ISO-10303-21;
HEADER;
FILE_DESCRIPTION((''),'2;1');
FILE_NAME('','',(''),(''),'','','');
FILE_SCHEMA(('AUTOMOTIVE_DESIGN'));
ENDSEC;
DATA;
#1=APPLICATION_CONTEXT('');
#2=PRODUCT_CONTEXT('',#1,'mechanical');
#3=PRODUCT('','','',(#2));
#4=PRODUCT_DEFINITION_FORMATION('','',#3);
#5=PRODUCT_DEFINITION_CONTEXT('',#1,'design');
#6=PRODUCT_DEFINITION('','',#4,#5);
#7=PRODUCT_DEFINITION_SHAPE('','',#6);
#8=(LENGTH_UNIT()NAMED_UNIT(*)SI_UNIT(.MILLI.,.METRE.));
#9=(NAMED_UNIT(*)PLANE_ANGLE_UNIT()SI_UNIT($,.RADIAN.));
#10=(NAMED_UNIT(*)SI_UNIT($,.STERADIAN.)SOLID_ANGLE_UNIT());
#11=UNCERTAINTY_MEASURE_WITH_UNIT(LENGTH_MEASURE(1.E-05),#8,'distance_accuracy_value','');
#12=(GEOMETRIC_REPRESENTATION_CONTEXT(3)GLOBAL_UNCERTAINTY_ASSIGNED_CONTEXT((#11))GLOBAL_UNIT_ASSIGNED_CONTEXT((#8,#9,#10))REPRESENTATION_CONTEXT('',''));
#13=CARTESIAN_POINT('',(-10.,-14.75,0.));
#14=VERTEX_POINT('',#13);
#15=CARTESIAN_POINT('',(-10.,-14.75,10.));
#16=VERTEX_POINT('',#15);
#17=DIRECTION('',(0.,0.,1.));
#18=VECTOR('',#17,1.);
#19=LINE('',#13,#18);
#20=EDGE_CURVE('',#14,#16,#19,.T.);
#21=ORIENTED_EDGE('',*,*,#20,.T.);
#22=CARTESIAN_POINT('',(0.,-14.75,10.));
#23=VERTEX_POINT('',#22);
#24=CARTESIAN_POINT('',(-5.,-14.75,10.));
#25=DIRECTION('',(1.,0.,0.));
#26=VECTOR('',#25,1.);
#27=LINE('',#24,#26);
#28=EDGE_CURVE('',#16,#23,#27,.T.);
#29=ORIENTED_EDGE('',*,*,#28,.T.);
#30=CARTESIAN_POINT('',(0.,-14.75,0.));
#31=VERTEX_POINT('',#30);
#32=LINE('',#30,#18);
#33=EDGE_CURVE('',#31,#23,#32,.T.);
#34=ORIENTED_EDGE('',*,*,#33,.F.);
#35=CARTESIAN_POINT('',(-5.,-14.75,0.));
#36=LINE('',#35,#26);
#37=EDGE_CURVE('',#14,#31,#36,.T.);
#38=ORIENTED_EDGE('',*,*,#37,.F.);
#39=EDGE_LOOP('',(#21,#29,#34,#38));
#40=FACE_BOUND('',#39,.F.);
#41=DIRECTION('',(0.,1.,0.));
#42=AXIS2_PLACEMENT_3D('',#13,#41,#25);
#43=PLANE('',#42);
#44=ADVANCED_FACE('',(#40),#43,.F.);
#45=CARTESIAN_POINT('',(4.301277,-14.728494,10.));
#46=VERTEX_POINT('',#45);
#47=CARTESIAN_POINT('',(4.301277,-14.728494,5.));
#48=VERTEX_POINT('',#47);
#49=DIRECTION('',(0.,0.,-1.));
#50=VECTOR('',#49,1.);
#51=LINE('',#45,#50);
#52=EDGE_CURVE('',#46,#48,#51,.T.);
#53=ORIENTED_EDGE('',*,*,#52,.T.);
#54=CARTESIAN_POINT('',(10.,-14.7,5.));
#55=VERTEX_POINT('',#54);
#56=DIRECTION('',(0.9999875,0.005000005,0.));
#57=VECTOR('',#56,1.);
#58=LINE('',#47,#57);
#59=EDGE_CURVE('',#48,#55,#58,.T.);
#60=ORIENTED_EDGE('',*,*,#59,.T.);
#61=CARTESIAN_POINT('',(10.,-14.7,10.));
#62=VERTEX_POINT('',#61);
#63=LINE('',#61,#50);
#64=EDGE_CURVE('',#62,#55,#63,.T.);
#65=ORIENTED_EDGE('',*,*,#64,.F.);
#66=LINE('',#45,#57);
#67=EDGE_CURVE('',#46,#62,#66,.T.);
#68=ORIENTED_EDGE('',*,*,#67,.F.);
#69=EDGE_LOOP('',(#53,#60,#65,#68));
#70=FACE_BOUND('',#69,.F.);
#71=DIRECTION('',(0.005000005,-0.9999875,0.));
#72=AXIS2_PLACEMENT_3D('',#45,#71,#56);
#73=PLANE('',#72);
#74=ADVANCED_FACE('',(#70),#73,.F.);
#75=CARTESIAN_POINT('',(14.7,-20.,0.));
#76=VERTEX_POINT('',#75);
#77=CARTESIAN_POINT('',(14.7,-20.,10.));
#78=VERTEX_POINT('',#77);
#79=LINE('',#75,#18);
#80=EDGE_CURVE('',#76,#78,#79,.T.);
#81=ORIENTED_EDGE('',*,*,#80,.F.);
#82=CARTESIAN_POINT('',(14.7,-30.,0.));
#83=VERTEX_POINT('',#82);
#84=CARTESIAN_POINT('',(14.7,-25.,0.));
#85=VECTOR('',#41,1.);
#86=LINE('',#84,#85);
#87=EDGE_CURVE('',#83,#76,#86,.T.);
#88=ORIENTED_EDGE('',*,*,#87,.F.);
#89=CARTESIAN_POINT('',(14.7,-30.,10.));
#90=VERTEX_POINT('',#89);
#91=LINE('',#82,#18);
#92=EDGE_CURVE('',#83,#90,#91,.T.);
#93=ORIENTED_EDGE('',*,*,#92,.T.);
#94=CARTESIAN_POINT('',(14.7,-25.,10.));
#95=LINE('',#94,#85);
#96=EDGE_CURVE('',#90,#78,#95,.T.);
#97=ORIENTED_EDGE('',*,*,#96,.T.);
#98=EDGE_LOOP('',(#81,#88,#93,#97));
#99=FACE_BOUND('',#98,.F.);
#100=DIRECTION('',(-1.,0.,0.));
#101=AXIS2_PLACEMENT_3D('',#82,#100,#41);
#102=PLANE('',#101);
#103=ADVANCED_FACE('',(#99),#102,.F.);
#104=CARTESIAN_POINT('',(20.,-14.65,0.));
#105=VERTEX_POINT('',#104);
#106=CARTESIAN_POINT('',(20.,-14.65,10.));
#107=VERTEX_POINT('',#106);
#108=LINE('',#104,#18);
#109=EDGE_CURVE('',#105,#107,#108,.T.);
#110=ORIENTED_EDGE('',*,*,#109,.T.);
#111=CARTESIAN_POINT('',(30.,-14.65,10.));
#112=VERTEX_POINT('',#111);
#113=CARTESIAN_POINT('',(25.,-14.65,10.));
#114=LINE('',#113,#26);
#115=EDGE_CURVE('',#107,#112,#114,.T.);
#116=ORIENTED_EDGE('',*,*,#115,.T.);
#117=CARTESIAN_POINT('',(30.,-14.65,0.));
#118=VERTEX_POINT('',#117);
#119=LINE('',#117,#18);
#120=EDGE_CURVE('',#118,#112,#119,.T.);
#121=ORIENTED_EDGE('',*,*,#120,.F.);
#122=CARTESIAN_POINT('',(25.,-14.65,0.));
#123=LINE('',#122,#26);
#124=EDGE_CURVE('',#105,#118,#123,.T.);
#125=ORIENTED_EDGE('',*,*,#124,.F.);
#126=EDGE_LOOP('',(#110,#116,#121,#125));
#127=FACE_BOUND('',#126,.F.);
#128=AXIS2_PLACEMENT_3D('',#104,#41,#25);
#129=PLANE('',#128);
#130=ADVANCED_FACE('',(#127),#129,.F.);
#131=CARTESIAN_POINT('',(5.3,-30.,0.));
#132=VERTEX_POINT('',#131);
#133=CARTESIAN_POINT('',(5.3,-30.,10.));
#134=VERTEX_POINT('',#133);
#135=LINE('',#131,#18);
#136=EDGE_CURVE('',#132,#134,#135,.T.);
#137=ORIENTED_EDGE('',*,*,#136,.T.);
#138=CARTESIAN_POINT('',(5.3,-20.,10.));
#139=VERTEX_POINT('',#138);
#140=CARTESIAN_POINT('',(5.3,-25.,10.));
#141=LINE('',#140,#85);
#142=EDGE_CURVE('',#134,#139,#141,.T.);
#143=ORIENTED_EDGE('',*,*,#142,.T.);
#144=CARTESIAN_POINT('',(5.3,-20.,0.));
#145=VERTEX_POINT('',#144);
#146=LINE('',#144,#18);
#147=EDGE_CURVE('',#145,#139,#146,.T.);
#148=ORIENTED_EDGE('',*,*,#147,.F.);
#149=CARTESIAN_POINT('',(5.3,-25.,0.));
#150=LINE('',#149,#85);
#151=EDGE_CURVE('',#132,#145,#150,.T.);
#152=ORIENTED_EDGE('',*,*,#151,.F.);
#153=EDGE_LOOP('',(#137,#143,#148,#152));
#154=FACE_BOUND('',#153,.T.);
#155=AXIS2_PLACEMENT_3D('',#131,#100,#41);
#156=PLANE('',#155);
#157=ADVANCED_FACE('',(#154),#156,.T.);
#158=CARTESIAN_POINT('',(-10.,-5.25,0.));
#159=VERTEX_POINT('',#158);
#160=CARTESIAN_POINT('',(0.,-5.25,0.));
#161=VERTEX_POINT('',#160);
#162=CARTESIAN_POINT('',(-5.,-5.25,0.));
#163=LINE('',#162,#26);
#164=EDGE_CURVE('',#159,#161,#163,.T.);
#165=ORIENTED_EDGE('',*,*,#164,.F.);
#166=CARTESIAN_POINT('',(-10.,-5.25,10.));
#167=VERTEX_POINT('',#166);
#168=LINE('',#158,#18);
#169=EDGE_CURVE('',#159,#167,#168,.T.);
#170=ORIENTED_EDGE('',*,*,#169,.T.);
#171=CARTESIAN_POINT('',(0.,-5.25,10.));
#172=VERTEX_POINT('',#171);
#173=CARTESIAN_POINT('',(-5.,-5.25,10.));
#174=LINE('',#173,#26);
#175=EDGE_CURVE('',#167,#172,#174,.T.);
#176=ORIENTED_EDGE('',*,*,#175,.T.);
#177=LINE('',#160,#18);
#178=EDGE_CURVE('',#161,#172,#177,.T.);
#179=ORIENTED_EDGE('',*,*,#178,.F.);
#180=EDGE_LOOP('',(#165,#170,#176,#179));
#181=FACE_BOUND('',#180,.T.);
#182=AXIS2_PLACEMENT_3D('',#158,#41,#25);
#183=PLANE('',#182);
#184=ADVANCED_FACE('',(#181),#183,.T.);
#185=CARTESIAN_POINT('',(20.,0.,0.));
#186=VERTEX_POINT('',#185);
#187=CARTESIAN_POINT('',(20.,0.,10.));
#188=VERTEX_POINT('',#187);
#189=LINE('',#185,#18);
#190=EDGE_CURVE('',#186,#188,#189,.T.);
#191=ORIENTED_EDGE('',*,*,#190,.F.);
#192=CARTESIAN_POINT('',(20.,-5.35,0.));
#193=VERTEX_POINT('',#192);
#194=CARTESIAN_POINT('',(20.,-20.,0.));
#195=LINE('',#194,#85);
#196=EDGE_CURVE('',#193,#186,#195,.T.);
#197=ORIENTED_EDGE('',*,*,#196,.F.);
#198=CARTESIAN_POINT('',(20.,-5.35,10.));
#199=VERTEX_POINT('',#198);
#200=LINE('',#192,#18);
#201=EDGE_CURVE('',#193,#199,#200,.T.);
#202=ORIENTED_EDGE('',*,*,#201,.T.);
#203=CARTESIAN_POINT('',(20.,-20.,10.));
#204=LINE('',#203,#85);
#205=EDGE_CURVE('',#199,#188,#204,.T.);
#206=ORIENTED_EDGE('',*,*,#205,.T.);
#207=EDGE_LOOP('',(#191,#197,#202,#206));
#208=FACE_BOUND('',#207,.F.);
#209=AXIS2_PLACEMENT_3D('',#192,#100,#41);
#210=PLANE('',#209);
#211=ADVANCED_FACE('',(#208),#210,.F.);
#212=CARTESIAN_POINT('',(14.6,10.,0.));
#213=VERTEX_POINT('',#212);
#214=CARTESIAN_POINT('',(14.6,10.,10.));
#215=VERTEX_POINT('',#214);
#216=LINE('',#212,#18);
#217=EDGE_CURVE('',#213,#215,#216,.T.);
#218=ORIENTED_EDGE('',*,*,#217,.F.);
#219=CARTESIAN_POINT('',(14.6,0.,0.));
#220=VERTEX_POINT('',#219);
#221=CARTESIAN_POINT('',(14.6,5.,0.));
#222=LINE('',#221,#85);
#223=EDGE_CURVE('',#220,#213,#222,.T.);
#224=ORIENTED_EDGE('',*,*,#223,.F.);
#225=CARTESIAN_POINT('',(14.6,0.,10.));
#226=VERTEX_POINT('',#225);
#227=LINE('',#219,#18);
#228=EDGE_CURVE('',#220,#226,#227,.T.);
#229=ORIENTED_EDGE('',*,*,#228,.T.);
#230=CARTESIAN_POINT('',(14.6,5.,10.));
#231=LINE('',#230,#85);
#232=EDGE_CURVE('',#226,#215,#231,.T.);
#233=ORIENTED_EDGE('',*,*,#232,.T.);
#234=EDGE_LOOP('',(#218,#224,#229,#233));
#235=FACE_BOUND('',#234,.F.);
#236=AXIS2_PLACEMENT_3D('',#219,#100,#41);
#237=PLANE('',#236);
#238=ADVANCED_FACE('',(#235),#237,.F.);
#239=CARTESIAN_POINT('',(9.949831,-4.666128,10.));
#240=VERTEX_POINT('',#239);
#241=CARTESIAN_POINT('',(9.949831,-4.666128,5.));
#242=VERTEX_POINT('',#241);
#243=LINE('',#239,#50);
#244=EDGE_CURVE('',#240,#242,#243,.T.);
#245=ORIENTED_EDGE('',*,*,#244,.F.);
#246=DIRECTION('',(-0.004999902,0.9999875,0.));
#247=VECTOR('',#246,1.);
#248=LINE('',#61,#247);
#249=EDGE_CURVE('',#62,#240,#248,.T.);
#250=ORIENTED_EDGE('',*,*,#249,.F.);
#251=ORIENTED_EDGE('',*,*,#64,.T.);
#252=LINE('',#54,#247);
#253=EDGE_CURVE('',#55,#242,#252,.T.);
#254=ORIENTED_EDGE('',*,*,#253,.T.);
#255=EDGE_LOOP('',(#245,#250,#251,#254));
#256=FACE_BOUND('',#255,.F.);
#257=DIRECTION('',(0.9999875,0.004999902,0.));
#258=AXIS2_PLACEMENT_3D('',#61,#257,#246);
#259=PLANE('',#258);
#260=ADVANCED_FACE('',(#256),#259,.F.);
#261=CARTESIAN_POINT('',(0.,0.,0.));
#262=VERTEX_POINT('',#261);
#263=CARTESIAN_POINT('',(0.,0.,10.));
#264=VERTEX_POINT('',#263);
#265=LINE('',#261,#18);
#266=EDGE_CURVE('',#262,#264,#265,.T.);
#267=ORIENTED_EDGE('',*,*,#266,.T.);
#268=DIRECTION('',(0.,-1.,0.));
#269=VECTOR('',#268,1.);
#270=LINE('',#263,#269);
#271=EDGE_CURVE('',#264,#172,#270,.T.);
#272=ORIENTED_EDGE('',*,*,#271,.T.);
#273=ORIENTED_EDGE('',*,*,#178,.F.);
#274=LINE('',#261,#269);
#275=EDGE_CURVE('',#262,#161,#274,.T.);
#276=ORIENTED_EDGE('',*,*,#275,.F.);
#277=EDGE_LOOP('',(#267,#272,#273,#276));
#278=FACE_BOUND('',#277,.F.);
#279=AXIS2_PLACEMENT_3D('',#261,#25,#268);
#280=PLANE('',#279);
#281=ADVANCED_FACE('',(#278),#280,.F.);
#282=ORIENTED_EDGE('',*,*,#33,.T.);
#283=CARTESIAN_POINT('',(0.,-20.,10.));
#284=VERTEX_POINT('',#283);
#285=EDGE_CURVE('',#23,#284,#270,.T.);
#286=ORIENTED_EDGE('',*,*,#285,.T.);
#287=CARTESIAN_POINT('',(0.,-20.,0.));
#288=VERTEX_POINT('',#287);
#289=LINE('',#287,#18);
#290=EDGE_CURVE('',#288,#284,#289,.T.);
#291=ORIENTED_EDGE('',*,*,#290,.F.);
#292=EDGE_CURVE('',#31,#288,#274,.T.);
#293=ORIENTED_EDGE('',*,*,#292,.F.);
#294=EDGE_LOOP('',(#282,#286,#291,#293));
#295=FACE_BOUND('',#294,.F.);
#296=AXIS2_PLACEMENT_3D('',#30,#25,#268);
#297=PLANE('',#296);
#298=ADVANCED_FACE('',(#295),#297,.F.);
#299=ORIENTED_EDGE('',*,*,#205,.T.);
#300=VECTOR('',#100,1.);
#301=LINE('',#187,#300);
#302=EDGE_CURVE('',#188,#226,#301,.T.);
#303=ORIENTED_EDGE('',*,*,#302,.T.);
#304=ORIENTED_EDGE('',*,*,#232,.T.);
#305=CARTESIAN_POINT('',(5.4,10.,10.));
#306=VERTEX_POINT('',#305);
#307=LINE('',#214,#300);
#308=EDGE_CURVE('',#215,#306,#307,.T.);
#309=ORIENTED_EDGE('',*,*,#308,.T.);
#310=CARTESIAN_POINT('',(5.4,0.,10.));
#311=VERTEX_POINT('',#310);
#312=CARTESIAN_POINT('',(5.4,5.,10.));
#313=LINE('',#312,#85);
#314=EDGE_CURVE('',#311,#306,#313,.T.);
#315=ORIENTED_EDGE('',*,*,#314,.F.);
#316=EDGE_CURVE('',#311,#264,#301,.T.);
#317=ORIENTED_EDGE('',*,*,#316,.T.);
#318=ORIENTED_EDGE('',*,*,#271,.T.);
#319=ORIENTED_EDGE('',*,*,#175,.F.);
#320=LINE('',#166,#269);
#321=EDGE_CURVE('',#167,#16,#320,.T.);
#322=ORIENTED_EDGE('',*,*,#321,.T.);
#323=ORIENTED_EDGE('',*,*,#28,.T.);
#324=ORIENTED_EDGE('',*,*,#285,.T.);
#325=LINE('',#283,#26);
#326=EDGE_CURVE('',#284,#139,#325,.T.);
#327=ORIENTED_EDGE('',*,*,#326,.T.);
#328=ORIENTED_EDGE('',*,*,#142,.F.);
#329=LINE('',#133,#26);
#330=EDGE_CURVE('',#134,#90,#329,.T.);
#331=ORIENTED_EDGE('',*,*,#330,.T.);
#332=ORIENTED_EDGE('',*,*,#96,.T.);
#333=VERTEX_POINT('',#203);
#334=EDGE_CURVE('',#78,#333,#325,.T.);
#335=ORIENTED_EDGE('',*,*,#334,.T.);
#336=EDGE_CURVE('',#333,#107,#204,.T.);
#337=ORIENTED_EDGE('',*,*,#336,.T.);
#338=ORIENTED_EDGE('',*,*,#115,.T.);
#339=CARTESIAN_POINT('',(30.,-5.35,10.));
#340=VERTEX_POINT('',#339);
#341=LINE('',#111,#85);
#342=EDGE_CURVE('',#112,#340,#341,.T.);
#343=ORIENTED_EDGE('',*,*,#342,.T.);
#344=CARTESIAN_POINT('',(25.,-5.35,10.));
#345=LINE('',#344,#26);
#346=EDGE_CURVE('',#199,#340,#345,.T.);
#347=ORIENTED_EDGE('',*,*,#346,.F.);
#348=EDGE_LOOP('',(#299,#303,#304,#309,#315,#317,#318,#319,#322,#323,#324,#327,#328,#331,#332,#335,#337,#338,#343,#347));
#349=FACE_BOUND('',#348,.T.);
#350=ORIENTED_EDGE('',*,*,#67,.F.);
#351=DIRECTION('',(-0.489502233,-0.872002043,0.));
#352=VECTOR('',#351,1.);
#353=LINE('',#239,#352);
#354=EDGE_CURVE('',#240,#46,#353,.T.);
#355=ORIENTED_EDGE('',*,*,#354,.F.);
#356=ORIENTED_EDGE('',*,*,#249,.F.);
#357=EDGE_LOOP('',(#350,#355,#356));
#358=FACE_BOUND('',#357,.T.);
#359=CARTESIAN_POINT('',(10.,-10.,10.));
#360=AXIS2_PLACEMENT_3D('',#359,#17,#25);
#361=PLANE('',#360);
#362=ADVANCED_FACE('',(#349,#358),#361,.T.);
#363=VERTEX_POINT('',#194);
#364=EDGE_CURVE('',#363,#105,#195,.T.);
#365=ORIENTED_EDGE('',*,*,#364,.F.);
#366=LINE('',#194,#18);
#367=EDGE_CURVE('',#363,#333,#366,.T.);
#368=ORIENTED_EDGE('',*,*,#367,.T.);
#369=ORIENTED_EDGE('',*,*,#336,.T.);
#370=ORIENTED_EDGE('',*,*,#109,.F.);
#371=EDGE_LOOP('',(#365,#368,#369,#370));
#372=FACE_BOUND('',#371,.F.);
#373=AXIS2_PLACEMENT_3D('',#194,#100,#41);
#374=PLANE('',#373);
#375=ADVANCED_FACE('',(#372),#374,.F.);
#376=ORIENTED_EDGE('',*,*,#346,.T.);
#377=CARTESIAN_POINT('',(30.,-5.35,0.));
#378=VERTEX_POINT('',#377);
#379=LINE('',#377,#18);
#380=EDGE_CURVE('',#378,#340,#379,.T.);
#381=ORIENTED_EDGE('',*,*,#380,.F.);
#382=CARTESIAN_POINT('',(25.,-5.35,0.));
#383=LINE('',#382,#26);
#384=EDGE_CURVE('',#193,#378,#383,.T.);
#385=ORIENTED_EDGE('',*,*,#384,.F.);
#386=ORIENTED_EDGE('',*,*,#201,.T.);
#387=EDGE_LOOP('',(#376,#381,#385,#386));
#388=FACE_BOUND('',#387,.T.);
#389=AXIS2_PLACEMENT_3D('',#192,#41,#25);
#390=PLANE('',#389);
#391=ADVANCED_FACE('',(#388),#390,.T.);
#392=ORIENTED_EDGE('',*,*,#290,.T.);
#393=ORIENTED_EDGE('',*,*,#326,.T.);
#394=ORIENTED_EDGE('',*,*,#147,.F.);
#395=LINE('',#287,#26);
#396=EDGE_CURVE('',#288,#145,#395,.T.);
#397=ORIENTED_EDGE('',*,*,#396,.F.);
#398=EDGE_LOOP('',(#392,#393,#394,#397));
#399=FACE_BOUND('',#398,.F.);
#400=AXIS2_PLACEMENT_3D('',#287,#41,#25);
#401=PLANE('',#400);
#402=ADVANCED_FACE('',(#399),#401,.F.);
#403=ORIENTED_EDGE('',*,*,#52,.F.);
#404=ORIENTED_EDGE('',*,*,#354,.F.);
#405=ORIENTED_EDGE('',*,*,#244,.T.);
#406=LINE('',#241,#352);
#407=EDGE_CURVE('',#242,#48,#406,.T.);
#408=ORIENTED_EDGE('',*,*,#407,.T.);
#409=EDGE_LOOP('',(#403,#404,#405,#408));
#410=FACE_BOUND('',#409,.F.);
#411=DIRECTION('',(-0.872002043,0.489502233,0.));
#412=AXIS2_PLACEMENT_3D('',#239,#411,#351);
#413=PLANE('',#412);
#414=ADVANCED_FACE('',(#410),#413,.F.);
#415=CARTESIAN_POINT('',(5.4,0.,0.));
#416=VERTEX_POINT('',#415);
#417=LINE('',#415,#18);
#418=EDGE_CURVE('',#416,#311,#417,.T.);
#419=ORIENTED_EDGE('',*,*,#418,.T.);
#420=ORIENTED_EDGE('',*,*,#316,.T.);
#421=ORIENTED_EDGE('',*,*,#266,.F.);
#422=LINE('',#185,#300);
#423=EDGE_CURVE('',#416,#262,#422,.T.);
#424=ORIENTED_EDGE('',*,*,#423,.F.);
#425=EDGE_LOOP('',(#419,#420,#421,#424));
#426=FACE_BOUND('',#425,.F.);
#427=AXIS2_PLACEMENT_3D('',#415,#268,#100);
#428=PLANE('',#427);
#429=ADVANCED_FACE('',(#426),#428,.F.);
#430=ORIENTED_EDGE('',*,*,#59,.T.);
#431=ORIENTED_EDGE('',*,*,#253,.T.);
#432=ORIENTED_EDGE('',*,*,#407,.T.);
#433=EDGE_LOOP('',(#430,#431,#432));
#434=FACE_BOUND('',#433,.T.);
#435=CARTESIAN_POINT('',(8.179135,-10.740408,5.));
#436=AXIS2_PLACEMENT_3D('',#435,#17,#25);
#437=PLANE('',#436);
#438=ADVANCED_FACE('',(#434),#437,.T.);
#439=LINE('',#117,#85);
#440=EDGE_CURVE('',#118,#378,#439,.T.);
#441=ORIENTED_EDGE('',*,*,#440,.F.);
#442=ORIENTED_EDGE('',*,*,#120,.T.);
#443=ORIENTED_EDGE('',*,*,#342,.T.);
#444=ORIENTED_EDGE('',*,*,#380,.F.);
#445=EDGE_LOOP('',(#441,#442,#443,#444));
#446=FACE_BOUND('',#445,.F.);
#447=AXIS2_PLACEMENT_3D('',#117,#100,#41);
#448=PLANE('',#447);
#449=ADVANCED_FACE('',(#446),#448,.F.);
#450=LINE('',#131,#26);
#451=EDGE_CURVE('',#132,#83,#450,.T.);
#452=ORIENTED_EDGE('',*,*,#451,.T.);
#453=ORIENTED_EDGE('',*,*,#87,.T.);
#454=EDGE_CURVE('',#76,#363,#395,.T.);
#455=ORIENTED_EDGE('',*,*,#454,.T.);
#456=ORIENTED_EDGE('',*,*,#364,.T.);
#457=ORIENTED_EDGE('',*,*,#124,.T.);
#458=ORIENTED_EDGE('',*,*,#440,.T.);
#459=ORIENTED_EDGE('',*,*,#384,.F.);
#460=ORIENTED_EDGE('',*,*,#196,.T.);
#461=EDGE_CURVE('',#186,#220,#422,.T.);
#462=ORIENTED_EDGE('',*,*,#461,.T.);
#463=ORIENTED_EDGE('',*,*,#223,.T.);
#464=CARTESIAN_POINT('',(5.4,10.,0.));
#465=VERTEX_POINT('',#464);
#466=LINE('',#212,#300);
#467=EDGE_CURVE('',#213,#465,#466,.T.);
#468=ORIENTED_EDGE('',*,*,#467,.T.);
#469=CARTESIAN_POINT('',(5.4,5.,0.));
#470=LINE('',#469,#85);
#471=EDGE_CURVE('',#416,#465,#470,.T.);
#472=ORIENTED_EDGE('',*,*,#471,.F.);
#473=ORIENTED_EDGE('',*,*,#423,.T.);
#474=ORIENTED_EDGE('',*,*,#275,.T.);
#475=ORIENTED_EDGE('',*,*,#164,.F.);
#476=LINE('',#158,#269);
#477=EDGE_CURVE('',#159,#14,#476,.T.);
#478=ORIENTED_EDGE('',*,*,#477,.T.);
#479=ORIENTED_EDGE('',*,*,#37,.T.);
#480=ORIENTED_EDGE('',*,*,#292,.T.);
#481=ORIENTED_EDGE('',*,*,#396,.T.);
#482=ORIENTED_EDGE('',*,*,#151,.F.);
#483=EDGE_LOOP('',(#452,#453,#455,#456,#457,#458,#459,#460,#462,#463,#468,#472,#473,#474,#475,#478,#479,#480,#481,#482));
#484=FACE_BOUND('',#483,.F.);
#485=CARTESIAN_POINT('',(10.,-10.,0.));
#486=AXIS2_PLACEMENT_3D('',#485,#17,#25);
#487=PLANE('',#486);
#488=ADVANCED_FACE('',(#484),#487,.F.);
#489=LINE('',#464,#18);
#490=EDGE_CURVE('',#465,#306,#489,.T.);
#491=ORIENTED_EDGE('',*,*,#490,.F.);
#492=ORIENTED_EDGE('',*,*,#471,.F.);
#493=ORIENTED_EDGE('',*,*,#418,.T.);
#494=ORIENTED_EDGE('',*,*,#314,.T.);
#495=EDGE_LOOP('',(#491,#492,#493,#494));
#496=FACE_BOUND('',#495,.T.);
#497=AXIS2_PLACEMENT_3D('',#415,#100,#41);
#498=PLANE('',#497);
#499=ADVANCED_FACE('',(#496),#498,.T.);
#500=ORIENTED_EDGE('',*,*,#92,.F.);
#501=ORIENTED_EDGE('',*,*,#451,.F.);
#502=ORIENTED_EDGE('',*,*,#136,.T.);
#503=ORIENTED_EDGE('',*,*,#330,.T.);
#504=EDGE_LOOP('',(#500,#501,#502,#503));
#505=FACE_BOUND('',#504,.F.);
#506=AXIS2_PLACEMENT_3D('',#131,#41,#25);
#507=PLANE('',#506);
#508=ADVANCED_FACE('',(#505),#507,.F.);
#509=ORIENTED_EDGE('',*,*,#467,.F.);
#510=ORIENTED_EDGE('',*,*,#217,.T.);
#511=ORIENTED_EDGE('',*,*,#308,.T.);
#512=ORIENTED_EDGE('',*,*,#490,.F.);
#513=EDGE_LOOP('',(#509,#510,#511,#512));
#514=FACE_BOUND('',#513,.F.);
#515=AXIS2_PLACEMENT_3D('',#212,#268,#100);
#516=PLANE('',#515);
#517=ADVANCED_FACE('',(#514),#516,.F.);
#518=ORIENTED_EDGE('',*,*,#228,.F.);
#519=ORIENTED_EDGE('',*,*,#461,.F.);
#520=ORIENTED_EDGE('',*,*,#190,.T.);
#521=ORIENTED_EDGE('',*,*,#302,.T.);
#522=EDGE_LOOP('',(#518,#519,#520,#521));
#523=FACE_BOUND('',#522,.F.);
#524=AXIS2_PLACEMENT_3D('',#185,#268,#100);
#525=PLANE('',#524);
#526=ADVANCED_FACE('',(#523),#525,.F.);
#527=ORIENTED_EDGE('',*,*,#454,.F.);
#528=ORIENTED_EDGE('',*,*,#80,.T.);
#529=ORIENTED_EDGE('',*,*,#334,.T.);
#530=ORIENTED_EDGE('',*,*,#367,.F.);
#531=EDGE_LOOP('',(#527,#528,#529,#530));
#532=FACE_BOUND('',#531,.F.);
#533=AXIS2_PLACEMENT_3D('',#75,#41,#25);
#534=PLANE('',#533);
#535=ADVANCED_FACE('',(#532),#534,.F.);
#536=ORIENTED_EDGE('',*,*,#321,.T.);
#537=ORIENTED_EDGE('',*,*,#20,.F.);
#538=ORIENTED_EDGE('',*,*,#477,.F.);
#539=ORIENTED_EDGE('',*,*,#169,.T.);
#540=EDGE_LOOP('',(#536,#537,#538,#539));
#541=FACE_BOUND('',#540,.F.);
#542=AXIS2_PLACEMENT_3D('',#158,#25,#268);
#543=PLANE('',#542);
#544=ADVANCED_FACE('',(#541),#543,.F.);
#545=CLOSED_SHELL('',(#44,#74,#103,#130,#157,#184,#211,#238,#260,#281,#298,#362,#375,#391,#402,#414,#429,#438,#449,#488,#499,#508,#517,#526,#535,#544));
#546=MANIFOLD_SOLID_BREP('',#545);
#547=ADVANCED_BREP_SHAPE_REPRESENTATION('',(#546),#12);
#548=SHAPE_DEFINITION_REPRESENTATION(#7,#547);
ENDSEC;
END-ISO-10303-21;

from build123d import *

# Parameters (mm, degrees)
F0_W     = 4.6
F0_H     = 10
F0_W_2   = 10
F0_H_2   = 4.75
F0_H_3   = 4.65
F0_W_3   = 4.7
F1_DEPTH = 10
F3_DEPTH = 5


with BuildPart() as f1:
    # F0 (on Top) → F1 (new body)
    with BuildSketch(Plane.XY):
        Polygon((5.4, 0), (0, 0), (0, -5.25), (0, -10), (0, -14.75), (0, -20), (5.3, -20), (10, -20), (14.7, -20), (20, -20), (20, -14.65), (20, -10), (20, -5.35), (20, 0), (14.6, 0), (10, 0), align=None)
        with Locations((7.7, 5)):
            Rectangle(F0_W, F0_H)
        with Locations((-5, -7.625)):
            Rectangle(F0_W_2, F0_H_2)
        with Locations((12.3, 5)):
            Rectangle(F0_W, F0_H)
        with Locations((-5, -12.375)):
            Rectangle(F0_W_2, F0_H_2)
        with Locations((25, -7.675)):
            Rectangle(F0_W_2, F0_H_3)
        with Locations((7.65, -25)):
            Rectangle(F0_W_3, F0_H)
        with Locations((25, -12.325)):
            Rectangle(F0_W_2, F0_H_3)
        with Locations((12.35, -25)):
            Rectangle(F0_W_3, F0_H)
    extrude(amount=F1_DEPTH)

    # F2 (on face) → F3 (cut)
    with BuildSketch(Plane.XY.offset(10)):
        Polygon((4.301277, -14.728494), (10, -14.7), (9.949831, -4.666128), align=None)
    extrude(amount=-F3_DEPTH, mode=Mode.SUBTRACT)


solid = f1.part
